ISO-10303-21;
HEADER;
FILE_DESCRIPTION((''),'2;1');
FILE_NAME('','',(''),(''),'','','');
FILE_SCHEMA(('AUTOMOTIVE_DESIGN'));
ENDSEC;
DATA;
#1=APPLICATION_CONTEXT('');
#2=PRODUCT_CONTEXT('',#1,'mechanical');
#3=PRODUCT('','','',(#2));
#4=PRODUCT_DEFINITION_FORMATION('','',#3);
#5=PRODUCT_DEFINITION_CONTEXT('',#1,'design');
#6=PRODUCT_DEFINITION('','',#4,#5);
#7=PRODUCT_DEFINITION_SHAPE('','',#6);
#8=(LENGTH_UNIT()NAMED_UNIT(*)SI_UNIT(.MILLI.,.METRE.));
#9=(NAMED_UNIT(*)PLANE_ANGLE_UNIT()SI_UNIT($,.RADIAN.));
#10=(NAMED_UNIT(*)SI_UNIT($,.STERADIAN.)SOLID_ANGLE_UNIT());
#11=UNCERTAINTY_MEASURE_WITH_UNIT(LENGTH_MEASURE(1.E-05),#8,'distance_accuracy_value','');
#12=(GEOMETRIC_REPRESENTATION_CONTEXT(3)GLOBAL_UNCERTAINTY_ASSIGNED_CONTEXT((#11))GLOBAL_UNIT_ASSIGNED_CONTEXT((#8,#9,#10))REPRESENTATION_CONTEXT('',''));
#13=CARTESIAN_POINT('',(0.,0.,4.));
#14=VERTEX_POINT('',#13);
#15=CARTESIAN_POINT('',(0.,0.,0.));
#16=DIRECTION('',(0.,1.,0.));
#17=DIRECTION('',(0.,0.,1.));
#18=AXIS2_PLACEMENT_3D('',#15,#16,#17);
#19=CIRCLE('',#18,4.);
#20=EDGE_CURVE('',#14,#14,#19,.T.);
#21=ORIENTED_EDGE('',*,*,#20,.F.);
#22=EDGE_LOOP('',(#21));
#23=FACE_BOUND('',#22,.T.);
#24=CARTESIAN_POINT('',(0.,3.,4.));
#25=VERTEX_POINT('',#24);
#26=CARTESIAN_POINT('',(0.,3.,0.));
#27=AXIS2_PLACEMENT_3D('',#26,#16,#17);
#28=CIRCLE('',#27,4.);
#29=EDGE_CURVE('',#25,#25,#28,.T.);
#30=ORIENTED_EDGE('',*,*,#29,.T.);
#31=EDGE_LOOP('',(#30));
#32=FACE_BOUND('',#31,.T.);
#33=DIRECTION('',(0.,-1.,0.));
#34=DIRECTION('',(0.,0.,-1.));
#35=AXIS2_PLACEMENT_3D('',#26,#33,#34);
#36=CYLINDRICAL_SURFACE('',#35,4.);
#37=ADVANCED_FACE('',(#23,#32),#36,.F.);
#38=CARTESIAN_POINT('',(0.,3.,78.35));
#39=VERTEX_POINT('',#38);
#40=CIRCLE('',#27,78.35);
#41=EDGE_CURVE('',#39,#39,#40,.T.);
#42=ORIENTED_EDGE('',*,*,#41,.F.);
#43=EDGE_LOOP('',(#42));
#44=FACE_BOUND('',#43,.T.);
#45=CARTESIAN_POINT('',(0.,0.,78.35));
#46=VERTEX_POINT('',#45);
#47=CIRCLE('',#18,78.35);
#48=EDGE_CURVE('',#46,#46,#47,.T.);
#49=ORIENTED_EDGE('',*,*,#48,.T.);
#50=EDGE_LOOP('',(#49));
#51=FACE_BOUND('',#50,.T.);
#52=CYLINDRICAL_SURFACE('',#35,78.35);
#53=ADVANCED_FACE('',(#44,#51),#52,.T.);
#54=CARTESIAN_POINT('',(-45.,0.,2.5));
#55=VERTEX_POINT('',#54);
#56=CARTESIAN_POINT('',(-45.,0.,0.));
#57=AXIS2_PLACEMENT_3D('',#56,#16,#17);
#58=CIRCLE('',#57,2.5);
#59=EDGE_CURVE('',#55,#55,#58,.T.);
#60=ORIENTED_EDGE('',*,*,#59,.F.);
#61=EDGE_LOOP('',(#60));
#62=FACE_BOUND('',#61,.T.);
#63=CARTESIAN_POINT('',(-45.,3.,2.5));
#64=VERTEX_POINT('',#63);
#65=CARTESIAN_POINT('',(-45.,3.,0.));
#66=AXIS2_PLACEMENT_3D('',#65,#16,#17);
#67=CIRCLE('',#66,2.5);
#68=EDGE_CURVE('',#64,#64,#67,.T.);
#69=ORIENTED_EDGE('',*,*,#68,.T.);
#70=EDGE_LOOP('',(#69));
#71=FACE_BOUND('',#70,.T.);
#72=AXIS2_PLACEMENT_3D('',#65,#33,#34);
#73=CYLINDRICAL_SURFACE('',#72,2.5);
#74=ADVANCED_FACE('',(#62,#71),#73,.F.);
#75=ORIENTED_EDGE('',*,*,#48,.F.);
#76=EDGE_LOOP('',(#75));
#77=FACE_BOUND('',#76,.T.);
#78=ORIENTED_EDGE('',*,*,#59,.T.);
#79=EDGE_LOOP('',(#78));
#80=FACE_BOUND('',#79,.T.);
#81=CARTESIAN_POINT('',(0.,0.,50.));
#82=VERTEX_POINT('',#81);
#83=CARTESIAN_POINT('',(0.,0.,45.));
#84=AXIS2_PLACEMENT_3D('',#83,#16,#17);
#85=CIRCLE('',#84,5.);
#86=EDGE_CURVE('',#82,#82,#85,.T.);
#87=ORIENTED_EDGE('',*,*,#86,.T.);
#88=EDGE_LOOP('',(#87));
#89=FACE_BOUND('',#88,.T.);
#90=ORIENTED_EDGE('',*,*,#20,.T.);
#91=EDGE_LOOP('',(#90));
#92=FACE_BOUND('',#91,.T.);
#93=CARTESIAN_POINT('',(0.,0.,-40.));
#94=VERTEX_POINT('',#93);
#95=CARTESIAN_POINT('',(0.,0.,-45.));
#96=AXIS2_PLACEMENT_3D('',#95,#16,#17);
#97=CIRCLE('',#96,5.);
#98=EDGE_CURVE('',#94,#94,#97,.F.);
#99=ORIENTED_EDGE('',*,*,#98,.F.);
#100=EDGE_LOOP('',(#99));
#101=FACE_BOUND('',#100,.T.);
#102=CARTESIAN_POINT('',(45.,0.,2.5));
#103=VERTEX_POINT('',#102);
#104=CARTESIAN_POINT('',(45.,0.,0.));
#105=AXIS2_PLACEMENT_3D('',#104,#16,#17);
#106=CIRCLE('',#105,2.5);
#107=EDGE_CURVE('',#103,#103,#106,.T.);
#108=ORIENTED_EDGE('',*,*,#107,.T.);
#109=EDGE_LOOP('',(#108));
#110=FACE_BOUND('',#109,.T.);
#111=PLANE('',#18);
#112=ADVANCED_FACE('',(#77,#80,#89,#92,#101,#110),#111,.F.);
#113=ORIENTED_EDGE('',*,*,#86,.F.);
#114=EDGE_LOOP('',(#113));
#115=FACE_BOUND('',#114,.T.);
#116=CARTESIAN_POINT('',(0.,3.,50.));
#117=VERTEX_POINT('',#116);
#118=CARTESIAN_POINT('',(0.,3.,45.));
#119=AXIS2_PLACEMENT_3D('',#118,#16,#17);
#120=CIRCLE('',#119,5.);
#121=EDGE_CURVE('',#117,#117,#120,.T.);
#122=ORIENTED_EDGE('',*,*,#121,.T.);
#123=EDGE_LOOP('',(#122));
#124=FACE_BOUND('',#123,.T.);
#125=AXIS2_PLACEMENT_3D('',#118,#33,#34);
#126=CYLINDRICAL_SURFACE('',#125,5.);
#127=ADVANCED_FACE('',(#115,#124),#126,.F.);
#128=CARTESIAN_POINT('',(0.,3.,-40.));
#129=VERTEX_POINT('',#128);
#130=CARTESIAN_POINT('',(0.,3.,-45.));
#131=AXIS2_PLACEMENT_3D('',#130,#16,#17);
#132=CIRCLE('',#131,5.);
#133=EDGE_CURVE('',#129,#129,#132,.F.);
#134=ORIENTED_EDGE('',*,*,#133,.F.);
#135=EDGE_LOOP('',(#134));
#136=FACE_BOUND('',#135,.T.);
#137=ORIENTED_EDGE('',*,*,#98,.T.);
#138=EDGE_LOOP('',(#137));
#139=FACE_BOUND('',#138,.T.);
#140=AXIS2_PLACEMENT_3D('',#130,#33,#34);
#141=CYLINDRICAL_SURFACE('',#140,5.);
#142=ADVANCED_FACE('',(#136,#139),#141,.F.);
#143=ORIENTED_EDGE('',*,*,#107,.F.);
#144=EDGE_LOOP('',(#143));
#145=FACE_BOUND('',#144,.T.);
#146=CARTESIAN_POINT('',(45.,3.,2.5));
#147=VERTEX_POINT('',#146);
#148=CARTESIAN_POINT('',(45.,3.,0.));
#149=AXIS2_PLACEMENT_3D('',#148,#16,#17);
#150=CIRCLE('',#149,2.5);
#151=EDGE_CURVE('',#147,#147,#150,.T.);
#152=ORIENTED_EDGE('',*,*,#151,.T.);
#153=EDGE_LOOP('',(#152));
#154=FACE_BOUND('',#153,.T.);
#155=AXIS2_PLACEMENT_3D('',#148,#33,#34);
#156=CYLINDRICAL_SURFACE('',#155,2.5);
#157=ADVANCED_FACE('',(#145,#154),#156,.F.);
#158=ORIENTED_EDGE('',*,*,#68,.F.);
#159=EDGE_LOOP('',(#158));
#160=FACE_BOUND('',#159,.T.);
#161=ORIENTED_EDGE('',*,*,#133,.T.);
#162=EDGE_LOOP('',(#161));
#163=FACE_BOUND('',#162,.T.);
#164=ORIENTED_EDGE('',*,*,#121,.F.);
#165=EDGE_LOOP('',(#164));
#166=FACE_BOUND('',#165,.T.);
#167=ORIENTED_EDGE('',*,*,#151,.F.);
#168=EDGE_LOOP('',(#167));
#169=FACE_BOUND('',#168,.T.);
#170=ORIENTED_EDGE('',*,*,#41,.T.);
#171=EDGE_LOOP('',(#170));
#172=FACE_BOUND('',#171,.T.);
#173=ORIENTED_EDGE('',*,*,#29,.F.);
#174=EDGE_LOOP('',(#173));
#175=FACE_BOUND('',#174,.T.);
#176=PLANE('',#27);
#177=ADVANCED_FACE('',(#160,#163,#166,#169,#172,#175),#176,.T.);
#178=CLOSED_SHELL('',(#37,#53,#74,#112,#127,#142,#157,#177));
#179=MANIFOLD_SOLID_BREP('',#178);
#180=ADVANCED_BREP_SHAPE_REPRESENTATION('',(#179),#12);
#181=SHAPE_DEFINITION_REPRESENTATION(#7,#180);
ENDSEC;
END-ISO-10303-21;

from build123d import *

# Parameters (mm, degrees)
SKETCH1_R           = 78.35
SKETCH1_R_2         = 2.5
SKETCH1_R_3         = 4
SKETCH1_R_4         = 5
BOSS_EXTRUDE1_DEPTH = 3


with BuildPart() as part:
    # Sketch1 → Boss-Extrude1 (new body)
    with BuildSketch(Plane(origin=(0, 0, 0), x_dir=(1, 0, 0), z_dir=(0, 1, 0))):
        with Locations(Location((0, 0, 0), (0, 0, 270))):
            Circle(SKETCH1_R)
        with Locations(Location((-45, 0, 0), (0, 0, 270))):
            Circle(SKETCH1_R_2, mode=Mode.SUBTRACT)
        with Locations(Location((45, 0, 0), (0, 0, 270))):
            Circle(SKETCH1_R_2, mode=Mode.SUBTRACT)
        with Locations(Location((0, 0, 0), (0, 0, 270))):
            Circle(SKETCH1_R_3, mode=Mode.SUBTRACT)
        with Locations(Location((0, -45, 0), (0, 0, 270))):
            Circle(SKETCH1_R_4, mode=Mode.SUBTRACT)
        with Locations(Location((0, 45, 0), (0, 0, 270))):
            Circle(SKETCH1_R_4, mode=Mode.SUBTRACT)
    extrude(amount=BOSS_EXTRUDE1_DEPTH)


solid = part.part
